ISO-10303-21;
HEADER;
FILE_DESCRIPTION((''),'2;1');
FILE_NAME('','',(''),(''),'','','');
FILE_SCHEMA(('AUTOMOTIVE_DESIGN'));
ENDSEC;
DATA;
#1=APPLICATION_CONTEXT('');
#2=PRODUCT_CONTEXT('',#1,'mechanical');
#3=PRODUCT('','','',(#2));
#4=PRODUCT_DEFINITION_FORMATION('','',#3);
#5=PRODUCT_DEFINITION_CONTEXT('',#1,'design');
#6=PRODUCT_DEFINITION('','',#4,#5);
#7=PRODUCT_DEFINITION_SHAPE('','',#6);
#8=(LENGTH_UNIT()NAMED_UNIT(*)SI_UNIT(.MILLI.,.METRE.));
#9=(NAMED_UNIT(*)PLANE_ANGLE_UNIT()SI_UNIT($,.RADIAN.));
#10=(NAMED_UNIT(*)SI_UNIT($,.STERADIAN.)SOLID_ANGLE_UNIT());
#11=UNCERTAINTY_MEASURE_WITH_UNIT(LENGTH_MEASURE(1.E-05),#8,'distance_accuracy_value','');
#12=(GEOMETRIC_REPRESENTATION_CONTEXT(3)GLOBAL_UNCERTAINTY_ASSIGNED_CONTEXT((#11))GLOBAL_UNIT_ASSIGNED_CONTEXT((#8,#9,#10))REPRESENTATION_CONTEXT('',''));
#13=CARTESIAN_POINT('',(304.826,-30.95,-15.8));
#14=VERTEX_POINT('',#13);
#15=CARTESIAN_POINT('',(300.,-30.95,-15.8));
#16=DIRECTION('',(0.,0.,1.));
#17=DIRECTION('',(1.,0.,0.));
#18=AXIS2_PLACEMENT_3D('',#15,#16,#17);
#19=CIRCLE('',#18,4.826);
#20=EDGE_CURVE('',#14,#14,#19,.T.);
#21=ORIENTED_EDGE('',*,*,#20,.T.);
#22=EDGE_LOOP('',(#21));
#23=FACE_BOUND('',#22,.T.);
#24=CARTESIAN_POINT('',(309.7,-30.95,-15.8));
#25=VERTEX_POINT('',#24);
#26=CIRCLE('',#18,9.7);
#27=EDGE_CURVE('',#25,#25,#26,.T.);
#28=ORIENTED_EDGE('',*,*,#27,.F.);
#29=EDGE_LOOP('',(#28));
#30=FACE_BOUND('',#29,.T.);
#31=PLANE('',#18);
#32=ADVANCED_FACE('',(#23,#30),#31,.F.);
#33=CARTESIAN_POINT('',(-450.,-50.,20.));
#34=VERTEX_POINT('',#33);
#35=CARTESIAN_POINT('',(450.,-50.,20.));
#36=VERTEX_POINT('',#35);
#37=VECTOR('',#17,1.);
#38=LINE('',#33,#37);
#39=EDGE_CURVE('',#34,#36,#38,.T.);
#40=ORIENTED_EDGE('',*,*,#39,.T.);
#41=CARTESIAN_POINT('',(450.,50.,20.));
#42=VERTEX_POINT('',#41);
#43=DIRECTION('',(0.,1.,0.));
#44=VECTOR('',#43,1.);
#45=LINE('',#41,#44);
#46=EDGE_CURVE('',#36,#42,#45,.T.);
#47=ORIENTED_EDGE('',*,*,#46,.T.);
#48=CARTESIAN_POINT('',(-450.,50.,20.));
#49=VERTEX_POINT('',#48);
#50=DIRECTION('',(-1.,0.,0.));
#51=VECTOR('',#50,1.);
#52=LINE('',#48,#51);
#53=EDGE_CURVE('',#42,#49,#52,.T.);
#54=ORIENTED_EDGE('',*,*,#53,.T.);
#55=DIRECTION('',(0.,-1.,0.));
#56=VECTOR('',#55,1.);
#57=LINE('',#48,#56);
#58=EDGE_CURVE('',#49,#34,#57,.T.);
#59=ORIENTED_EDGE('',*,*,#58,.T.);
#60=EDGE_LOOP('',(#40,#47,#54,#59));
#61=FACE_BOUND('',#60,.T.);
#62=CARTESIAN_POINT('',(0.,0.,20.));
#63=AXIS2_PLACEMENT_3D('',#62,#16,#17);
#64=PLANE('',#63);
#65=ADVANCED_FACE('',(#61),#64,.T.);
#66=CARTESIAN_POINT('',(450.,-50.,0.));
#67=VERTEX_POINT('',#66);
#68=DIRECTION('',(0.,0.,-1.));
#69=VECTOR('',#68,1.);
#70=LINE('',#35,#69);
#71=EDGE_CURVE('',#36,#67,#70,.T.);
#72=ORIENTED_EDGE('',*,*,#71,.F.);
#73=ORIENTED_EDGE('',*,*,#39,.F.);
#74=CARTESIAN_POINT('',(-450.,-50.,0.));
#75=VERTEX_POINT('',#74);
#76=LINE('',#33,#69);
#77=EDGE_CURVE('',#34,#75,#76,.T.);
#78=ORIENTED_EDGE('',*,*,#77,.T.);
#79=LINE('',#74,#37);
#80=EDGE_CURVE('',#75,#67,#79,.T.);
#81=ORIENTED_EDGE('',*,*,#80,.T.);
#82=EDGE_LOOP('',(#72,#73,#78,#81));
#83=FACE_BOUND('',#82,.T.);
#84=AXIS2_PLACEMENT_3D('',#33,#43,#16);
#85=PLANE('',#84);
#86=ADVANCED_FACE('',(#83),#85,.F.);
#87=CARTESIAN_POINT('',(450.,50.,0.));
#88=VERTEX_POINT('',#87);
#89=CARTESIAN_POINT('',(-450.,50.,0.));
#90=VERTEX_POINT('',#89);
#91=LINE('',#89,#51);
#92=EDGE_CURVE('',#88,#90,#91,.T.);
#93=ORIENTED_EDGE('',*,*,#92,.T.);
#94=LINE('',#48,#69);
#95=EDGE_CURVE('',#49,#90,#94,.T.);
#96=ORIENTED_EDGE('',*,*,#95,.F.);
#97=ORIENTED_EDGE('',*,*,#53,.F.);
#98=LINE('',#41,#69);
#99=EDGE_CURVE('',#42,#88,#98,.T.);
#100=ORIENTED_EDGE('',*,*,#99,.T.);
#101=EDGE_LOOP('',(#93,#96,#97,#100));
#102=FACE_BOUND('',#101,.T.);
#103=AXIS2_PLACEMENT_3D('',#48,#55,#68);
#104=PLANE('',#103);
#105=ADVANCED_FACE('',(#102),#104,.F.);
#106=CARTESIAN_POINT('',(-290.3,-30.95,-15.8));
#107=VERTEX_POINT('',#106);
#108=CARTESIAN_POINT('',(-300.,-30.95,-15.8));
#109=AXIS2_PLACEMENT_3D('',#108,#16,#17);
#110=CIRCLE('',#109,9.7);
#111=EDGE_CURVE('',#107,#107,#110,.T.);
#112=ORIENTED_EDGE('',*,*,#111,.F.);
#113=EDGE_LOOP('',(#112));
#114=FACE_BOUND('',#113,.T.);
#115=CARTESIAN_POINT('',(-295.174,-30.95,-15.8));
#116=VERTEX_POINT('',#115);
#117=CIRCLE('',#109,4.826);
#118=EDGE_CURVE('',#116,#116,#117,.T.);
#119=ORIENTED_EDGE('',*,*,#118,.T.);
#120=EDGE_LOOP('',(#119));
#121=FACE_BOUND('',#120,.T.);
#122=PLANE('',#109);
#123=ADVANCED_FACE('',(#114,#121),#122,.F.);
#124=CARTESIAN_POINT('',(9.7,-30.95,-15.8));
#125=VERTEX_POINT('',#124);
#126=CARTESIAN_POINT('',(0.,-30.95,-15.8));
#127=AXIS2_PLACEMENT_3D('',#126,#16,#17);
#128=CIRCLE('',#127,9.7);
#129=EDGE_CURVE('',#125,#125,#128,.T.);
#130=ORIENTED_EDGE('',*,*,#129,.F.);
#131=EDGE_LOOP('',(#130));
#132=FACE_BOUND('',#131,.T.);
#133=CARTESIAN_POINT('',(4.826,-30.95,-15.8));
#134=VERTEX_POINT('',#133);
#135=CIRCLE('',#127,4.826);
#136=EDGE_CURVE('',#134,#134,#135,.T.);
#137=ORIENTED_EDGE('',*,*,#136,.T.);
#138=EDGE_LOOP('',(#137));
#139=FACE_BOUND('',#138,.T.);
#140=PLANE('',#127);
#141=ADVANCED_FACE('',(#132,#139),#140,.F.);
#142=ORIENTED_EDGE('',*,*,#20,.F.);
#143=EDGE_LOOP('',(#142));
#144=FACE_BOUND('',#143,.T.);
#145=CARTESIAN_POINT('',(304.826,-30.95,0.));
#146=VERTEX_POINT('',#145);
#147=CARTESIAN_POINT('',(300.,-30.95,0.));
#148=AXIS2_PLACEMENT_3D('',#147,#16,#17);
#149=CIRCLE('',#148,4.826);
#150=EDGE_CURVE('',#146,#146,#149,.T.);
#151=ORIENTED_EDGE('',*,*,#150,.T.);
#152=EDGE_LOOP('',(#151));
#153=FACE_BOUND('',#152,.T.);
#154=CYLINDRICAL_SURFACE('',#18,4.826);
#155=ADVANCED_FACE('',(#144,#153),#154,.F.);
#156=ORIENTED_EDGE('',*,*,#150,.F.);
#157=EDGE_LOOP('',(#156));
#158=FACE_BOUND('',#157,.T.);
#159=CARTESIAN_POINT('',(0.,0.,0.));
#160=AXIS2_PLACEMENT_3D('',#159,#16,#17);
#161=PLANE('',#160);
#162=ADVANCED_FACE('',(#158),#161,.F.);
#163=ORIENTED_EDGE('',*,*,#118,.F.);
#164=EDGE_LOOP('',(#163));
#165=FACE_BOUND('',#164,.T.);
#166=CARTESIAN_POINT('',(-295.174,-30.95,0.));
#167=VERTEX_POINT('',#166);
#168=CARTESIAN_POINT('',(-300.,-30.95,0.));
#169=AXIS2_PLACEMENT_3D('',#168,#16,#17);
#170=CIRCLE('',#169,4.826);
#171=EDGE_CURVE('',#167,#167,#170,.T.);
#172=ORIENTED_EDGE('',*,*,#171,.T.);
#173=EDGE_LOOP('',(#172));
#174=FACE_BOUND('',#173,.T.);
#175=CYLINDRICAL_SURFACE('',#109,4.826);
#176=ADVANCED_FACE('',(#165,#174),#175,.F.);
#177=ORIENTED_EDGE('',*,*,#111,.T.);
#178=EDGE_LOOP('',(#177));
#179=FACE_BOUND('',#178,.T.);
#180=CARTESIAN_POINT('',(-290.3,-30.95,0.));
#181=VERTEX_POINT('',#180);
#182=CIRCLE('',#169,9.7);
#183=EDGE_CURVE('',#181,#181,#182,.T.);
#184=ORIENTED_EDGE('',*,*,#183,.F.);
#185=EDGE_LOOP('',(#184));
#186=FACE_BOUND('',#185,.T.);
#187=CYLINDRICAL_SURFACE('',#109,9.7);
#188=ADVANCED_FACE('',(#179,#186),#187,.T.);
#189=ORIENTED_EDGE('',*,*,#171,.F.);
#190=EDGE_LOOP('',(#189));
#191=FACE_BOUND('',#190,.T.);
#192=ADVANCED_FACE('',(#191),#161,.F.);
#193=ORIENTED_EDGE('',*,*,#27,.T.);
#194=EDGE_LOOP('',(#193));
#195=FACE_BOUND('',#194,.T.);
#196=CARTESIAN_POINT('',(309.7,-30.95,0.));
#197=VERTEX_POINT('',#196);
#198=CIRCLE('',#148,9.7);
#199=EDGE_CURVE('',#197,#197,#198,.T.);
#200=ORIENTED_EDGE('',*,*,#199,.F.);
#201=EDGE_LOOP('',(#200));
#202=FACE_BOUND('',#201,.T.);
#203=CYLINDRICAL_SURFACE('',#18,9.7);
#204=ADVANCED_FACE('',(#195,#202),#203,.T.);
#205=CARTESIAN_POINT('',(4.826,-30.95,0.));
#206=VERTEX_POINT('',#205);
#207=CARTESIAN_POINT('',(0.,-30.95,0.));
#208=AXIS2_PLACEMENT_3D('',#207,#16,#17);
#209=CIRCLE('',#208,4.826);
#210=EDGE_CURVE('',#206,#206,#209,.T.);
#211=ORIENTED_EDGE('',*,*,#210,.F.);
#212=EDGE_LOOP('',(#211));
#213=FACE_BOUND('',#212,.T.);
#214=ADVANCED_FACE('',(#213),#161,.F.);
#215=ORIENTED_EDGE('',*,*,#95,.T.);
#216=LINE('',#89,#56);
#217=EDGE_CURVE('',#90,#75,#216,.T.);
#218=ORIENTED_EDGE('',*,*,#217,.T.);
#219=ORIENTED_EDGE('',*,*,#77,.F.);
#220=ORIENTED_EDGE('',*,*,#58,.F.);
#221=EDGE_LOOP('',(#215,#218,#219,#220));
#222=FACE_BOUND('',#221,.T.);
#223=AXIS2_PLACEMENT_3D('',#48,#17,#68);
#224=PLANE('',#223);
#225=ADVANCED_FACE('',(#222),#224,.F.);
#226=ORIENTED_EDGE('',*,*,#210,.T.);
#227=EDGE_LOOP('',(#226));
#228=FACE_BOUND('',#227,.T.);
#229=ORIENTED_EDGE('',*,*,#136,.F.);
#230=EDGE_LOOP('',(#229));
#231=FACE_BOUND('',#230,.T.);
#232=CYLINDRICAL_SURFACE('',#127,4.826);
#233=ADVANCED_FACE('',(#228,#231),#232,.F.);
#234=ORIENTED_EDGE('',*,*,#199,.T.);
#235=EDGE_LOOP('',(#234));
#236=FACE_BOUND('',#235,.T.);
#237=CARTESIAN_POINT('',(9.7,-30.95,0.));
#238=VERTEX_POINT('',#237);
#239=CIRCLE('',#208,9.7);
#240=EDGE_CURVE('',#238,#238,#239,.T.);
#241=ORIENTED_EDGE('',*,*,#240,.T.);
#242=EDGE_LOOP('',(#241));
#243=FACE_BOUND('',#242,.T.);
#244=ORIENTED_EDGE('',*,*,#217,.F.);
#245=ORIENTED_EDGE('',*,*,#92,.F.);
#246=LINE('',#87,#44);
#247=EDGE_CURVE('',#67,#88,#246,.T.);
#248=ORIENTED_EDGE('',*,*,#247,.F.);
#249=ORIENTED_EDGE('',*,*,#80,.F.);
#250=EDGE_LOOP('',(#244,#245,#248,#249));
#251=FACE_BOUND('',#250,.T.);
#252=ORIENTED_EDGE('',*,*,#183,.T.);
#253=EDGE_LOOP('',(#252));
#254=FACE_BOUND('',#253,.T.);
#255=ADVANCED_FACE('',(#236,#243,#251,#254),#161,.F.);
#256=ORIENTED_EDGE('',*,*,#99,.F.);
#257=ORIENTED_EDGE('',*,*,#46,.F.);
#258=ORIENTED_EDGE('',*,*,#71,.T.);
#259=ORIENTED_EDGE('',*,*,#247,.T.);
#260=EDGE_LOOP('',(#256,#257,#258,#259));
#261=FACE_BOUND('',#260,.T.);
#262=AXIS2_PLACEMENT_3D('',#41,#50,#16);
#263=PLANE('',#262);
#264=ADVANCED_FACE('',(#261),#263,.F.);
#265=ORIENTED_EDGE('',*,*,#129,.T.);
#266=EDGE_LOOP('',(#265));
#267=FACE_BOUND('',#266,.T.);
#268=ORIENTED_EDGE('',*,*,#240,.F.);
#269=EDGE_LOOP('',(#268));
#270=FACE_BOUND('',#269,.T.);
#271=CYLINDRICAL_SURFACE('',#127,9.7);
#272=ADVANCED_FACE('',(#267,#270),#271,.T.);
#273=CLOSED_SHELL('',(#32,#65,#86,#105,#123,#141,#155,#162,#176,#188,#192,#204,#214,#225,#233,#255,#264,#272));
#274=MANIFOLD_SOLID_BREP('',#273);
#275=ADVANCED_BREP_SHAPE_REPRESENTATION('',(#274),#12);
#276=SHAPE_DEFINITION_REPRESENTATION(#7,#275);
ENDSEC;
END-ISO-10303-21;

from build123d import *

# Parameters (mm, degrees)
SKETCH1_W           = 900
SKETCH1_H           = 100
BOSS_EXTRUDE1_DEPTH = 20
SKETCH2_R           = 9.7
SKETCH2_R_2         = 4.826
BOSS_EXTRUDE2_DEPTH = 15.8


with BuildPart() as part:
    # Sketch1 → Boss-Extrude1 (new body)
    with BuildSketch(Plane.XY):
        Rectangle(SKETCH1_W, SKETCH1_H)
    extrude(amount=BOSS_EXTRUDE1_DEPTH)

    # Sketch2 → Boss-Extrude2 (add)
    # profile 1 of 3: a face of its own
    with BuildSketch(Plane.XY):
        with Locations((-300, -30.95)):
            Circle(SKETCH2_R)
        with Locations((-300, -30.95)):
            Circle(SKETCH2_R_2, mode=Mode.SUBTRACT)
    # profile 2 of 3: a face of its own
    with BuildSketch(Plane.XY):
        with Locations((0, -30.95)):
            Circle(SKETCH2_R)
        with Locations((0, -30.95)):
            Circle(SKETCH2_R_2, mode=Mode.SUBTRACT)
    # profile 3 of 3: a face of its own
    with BuildSketch(Plane.XY):
        with Locations((300, -30.95)):
            Circle(SKETCH2_R)
        with Locations((300, -30.95)):
            Circle(SKETCH2_R_2, mode=Mode.SUBTRACT)
    extrude(amount=-BOSS_EXTRUDE2_DEPTH)


solid = part.part
